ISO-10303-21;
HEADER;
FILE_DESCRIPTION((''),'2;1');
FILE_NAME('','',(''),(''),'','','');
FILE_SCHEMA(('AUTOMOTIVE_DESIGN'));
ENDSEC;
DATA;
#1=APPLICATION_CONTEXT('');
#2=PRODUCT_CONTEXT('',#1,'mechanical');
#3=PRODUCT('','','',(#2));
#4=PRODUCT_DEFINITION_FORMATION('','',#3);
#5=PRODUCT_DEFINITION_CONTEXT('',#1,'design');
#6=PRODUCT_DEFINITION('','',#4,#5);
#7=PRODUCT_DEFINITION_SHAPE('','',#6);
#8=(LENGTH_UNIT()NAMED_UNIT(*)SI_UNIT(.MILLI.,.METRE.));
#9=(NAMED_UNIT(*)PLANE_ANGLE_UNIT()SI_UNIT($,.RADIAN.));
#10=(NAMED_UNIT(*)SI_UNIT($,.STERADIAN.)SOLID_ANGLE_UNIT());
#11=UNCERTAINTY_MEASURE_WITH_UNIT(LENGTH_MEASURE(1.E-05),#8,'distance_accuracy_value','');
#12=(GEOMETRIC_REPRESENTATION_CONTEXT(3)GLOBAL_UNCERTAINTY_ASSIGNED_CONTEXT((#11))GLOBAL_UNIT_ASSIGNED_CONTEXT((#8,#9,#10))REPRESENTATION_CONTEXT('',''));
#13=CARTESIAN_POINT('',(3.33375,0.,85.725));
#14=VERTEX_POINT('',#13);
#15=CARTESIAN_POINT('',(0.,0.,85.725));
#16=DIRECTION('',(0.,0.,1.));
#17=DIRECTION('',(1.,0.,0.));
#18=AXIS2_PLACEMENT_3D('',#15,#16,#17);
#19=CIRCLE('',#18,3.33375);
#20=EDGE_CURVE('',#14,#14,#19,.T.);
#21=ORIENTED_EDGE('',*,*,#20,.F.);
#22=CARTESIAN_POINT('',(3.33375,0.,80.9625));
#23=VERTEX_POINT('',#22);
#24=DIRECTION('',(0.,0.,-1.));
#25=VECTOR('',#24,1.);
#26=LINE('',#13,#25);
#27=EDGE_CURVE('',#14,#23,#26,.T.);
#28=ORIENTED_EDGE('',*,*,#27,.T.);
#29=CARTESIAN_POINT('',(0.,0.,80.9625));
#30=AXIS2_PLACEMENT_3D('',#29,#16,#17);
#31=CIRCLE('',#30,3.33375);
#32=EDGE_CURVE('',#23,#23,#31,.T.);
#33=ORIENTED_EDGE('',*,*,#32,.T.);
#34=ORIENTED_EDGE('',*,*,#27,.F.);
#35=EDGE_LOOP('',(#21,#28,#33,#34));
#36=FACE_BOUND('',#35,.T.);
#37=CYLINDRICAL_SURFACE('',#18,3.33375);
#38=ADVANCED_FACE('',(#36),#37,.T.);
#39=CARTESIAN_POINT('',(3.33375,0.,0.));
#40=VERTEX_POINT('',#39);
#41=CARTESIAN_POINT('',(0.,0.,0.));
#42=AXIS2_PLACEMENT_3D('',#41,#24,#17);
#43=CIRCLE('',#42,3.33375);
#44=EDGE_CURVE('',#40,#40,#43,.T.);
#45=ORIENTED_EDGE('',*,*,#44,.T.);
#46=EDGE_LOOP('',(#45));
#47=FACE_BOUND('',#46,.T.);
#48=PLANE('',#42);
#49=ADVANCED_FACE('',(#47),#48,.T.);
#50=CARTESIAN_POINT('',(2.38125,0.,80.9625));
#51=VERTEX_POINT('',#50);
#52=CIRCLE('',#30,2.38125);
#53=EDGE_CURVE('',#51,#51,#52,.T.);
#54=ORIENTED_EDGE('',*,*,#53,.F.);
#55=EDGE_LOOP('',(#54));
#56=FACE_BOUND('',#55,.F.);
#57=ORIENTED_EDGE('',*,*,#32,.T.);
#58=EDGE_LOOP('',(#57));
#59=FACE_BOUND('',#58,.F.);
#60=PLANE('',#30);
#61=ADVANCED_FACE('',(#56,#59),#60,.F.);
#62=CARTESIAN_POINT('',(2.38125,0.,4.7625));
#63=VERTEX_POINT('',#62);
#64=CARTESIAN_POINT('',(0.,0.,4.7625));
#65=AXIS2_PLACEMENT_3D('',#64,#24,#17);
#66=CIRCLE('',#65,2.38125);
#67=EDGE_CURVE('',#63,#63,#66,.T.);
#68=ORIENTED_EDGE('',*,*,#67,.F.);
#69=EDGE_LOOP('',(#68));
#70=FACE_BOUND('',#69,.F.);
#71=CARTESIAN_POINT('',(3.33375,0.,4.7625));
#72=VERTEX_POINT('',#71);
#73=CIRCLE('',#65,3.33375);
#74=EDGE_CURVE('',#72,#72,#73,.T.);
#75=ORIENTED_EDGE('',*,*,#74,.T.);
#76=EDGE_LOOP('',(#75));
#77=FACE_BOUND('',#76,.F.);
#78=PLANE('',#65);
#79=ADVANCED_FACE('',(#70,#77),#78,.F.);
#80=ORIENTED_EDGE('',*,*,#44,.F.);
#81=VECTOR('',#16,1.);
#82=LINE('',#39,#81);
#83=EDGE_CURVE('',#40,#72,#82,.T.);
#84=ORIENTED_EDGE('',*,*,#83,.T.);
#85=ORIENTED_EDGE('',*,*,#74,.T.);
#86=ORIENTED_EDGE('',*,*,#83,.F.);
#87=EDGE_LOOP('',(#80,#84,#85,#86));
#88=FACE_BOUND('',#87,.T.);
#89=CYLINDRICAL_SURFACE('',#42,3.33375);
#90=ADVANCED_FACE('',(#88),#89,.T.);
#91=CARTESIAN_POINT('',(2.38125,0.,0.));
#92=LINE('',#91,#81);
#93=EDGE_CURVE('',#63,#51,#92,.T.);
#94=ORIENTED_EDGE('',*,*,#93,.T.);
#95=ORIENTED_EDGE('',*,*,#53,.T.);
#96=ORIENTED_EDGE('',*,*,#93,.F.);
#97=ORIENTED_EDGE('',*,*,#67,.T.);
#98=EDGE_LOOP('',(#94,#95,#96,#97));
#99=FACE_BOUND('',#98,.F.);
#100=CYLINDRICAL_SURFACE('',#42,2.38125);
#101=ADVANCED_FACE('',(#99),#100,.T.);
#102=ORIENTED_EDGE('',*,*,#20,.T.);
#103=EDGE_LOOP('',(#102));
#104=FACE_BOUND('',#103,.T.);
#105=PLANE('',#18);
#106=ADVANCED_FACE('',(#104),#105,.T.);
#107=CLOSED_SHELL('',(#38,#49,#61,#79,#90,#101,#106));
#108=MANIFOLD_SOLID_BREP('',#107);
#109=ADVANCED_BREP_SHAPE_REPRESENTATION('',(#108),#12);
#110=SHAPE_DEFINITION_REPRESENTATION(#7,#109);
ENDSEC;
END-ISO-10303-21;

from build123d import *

# Parameters (mm, degrees)
F0_R     = 2.38125
F1_DEPTH = 85.725
F2_R     = 3.33375
F2_R_2   = 2.38125
F3_DEPTH = 4.7625
F4_R     = 3.33375
F4_R_2   = 2.38125
F5_DEPTH = 4.7625


with BuildPart() as f1:
    # F0 (on Top) → F1 (new body)
    with BuildSketch(Plane.XY):
        Circle(F0_R)
    extrude(amount=F1_DEPTH)

    # F2 (on face) → F3 (join)
    with BuildSketch(Plane(origin=(0, 0, 0), x_dir=(1, 0, 0), z_dir=(0, 0, -1))):
        Circle(F2_R)
        Circle(F2_R_2, mode=Mode.SUBTRACT)
    extrude(amount=-F3_DEPTH)

    # F4 (on face) → F5 (join)
    with BuildSketch(Plane.XY.offset(85.725)):
        Circle(F4_R)
        Circle(F4_R_2, mode=Mode.SUBTRACT)
    extrude(amount=-F5_DEPTH)


solid = f1.part
